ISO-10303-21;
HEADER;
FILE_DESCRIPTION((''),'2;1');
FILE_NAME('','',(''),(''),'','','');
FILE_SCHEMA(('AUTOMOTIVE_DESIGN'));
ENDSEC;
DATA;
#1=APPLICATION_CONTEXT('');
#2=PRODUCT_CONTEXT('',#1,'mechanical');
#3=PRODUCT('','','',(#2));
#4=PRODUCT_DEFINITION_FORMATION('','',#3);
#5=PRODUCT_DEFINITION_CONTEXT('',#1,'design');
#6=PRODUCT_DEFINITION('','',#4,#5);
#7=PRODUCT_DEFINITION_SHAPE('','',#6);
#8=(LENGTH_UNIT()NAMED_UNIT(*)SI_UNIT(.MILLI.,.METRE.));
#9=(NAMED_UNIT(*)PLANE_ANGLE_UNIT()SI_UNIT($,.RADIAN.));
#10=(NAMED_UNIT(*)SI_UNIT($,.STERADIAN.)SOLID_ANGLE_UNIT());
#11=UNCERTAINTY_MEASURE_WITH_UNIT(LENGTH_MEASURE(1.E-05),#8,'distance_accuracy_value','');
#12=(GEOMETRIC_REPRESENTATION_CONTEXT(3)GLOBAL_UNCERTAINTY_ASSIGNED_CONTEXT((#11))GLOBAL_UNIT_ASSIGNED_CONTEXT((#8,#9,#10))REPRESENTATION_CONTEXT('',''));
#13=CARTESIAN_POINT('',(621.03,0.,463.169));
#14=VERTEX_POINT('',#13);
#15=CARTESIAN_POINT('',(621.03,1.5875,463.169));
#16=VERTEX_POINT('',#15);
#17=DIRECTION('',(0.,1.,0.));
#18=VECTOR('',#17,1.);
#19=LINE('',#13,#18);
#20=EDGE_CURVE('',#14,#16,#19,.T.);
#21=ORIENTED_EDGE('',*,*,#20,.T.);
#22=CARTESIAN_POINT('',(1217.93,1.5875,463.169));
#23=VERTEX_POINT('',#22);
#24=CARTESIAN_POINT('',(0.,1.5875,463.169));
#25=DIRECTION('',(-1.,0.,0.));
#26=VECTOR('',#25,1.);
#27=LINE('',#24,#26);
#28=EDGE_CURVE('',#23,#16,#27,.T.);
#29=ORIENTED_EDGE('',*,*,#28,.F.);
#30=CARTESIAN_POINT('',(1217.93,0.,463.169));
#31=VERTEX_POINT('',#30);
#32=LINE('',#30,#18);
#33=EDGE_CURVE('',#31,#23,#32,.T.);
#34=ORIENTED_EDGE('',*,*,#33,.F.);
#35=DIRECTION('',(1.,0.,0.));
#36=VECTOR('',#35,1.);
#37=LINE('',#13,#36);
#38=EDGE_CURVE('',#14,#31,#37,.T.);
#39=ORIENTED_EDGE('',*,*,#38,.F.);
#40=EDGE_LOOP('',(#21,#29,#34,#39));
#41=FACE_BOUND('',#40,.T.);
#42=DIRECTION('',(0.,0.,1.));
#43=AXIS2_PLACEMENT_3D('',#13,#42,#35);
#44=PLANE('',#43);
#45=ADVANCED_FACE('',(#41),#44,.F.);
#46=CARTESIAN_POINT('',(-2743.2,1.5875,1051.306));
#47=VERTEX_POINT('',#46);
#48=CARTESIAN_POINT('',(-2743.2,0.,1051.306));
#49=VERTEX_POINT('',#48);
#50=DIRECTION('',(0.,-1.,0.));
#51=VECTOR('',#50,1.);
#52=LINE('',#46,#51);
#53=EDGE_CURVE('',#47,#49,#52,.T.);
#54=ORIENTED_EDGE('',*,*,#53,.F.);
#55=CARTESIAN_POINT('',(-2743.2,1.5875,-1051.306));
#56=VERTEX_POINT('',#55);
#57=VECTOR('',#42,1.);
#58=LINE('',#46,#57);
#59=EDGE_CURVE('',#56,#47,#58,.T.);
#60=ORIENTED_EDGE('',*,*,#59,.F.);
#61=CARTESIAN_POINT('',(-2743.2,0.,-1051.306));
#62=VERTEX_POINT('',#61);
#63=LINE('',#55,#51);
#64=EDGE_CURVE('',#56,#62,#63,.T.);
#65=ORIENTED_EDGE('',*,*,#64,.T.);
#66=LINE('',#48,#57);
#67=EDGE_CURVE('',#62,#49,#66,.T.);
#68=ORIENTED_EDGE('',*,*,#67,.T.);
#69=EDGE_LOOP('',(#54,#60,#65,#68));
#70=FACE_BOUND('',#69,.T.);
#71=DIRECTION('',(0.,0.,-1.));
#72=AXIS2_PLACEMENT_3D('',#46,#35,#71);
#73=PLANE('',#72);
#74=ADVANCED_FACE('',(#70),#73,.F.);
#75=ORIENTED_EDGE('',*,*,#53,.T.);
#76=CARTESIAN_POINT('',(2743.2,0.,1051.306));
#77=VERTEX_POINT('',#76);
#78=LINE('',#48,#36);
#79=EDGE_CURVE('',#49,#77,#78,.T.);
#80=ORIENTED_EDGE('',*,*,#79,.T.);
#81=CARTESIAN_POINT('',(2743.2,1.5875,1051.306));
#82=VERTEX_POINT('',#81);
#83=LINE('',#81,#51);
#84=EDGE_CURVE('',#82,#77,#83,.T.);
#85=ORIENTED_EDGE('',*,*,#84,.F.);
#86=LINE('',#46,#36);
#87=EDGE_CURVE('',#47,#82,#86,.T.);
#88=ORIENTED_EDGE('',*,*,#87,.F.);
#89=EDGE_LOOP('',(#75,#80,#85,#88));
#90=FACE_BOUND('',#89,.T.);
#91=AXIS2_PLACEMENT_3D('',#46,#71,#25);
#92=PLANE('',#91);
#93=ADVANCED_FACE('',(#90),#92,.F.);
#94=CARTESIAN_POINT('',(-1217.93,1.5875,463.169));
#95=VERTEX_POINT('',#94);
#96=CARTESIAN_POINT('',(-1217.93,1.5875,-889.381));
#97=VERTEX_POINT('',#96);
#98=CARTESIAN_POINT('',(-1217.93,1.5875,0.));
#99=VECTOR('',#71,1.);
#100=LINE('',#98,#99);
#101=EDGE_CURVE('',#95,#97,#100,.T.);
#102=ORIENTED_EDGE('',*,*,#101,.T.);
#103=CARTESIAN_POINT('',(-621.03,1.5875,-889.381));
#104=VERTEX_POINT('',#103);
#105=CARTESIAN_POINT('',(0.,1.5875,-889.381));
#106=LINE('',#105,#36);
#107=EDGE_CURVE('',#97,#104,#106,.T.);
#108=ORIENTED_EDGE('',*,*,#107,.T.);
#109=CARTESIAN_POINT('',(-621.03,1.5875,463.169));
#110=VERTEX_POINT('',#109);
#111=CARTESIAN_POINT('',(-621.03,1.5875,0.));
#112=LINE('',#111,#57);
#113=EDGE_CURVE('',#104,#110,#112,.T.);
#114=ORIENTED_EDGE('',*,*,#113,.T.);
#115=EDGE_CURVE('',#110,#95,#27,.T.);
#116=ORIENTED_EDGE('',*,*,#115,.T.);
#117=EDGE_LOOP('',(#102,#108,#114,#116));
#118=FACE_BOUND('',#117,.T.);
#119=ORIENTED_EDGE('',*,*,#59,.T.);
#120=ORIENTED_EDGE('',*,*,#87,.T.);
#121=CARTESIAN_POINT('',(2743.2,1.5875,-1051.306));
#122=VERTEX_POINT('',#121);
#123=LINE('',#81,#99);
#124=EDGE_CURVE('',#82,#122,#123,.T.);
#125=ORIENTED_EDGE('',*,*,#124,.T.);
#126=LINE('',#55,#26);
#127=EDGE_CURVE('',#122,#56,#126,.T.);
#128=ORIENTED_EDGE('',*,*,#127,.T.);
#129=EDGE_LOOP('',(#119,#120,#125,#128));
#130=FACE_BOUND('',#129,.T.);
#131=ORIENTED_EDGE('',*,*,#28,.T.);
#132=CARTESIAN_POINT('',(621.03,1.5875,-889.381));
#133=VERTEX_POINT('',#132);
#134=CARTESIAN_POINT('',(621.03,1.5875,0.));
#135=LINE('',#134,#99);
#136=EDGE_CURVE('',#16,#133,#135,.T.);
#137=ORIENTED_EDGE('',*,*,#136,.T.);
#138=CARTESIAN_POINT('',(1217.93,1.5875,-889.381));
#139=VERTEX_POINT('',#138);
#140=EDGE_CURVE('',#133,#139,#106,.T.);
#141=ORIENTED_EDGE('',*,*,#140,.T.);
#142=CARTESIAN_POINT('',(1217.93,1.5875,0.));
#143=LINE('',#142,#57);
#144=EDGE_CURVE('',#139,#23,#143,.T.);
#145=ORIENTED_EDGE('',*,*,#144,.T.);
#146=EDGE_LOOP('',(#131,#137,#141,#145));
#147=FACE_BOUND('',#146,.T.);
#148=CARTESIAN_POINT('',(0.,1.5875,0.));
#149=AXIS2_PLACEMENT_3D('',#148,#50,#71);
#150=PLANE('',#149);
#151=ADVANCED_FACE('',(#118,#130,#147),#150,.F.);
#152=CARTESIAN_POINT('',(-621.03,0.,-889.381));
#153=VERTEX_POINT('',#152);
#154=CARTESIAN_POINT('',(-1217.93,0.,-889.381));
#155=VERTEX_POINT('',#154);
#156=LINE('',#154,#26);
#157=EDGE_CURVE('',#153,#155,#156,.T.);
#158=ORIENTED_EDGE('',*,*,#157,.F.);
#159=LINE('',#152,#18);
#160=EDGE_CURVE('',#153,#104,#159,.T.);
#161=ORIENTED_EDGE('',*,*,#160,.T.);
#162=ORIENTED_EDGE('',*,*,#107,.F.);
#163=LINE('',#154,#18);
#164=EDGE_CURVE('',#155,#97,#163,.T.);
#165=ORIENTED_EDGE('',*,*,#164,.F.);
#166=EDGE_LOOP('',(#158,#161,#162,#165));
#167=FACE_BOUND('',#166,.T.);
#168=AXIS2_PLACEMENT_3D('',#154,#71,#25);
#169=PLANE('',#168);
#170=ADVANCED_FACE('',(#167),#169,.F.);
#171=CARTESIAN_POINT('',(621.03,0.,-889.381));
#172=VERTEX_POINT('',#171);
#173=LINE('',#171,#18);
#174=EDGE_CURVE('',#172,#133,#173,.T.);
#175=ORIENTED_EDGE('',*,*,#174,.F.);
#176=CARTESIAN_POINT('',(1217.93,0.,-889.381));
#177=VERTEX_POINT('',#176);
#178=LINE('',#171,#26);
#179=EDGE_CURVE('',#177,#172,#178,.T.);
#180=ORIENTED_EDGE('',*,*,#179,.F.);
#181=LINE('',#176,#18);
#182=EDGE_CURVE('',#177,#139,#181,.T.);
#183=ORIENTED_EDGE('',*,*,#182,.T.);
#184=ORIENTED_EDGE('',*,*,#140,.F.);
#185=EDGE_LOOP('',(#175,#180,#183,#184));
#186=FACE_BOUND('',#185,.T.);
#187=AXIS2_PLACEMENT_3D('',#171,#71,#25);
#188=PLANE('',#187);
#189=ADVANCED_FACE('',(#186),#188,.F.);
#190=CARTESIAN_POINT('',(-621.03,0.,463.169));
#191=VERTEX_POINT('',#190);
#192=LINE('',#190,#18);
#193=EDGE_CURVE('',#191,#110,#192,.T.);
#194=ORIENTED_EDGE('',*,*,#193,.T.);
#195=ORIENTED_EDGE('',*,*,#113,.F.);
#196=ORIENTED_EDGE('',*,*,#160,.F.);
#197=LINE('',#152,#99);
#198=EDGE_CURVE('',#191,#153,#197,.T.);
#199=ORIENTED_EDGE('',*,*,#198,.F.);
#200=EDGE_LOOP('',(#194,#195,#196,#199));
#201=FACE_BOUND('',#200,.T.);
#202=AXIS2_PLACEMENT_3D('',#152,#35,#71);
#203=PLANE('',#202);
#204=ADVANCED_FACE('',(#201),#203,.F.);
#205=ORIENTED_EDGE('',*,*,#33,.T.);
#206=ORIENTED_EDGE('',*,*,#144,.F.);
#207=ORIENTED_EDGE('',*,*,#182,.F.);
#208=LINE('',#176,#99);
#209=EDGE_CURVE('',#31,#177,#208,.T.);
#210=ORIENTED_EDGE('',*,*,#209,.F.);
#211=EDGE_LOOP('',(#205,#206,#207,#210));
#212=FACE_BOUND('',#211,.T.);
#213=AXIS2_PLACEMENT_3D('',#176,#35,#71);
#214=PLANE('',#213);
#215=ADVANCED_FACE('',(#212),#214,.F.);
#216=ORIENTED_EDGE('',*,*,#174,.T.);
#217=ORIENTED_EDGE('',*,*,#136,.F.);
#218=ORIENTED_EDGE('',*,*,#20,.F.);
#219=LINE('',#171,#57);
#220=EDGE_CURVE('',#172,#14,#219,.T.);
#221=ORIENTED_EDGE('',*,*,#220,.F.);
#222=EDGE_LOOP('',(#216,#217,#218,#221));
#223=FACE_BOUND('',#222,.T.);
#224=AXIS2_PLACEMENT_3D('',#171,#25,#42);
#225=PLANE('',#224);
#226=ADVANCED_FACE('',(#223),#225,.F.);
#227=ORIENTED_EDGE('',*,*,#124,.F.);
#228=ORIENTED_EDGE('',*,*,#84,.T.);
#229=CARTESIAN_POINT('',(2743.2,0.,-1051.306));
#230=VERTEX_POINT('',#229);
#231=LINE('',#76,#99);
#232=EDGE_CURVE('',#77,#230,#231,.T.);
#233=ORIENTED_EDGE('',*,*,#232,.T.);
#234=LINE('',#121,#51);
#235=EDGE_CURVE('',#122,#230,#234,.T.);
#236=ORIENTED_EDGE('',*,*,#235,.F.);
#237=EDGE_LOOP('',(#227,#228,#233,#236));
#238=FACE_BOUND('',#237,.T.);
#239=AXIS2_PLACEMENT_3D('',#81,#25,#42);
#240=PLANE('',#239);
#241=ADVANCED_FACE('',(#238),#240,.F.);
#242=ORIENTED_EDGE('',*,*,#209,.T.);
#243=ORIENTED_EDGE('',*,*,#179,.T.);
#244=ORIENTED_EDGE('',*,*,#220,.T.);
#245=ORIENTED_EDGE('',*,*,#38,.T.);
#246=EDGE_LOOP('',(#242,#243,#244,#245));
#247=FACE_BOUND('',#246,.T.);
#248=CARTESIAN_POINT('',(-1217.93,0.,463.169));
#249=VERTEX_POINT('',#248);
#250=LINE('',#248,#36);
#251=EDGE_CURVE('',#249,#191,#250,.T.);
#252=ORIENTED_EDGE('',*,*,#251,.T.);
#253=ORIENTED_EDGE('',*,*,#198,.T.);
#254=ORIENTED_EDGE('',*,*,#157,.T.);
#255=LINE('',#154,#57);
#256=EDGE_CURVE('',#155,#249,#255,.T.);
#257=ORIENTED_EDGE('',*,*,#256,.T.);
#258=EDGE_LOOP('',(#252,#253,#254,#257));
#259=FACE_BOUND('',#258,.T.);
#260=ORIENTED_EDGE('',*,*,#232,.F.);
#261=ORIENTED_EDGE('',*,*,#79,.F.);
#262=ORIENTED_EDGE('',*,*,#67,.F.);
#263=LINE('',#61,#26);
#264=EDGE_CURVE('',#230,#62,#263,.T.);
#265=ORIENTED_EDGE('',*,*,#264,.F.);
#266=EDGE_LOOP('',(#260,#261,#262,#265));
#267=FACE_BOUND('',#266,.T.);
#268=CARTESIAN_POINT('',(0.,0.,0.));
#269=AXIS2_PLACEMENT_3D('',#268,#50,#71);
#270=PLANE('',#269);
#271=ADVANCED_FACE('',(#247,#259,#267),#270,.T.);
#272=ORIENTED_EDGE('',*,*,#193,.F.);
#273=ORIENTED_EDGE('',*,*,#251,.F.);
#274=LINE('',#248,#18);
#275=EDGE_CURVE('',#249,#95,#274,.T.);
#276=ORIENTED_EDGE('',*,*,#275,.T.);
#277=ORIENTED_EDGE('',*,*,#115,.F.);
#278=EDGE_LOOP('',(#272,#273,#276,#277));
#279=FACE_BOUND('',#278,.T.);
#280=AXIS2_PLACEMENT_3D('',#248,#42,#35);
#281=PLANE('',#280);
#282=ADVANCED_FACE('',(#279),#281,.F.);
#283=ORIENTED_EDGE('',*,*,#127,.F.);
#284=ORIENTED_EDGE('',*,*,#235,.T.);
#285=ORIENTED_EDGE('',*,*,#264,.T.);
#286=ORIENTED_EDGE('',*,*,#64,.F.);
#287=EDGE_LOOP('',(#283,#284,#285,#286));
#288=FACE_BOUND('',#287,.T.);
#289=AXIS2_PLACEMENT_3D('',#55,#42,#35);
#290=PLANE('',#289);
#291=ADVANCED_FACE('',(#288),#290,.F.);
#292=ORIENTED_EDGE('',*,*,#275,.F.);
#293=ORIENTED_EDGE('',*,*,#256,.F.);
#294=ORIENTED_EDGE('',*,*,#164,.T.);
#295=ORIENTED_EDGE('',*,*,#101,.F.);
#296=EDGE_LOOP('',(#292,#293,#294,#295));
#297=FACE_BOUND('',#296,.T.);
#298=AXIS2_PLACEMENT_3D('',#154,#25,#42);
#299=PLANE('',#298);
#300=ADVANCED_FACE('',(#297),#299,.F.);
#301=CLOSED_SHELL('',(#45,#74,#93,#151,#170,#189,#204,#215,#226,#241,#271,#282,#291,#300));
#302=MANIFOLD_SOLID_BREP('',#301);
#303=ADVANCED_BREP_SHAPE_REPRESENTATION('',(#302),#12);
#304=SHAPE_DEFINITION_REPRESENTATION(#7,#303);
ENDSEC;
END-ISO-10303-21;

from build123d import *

# Parameters (mm, degrees)
SKETCH1_W               = 5486.4
SKETCH1_H               = 2102.612
BOSS_EXTRUDE1_DEPTH     = 1.5875
SKETCH2_W               = 596.9
SKETCH2_H               = 1352.55
CUT_EXTRUDE1_DEPTH      = 1
CUT_EXTRUDE1_DEPTH_BACK = 2.5875


with BuildPart() as part:
    # Sketch1 → Boss-Extrude1 (new body)
    with BuildSketch(Plane(origin=(0, 0, 0), x_dir=(1, 0, 0), z_dir=(0, 1, 0))):
        Rectangle(SKETCH1_W, SKETCH1_H)
    extrude(amount=BOSS_EXTRUDE1_DEPTH)

    # Sketch2 → Cut-Extrude1 (cut, two sides)
    with BuildSketch(Plane(origin=(0, 1.5875, 0), x_dir=(1, 0, 0), z_dir=(0, 1, 0))) as cut_extrude1_sk:
        with Locations((-919.48, 213.106)):
            Rectangle(SKETCH2_W, SKETCH2_H)
        with Locations((919.48, 213.106)):
            Rectangle(SKETCH2_W, SKETCH2_H)
    extrude(amount=CUT_EXTRUDE1_DEPTH, mode=Mode.SUBTRACT)
    extrude(cut_extrude1_sk.sketch, amount=-CUT_EXTRUDE1_DEPTH_BACK, mode=Mode.SUBTRACT)


solid = part.part
